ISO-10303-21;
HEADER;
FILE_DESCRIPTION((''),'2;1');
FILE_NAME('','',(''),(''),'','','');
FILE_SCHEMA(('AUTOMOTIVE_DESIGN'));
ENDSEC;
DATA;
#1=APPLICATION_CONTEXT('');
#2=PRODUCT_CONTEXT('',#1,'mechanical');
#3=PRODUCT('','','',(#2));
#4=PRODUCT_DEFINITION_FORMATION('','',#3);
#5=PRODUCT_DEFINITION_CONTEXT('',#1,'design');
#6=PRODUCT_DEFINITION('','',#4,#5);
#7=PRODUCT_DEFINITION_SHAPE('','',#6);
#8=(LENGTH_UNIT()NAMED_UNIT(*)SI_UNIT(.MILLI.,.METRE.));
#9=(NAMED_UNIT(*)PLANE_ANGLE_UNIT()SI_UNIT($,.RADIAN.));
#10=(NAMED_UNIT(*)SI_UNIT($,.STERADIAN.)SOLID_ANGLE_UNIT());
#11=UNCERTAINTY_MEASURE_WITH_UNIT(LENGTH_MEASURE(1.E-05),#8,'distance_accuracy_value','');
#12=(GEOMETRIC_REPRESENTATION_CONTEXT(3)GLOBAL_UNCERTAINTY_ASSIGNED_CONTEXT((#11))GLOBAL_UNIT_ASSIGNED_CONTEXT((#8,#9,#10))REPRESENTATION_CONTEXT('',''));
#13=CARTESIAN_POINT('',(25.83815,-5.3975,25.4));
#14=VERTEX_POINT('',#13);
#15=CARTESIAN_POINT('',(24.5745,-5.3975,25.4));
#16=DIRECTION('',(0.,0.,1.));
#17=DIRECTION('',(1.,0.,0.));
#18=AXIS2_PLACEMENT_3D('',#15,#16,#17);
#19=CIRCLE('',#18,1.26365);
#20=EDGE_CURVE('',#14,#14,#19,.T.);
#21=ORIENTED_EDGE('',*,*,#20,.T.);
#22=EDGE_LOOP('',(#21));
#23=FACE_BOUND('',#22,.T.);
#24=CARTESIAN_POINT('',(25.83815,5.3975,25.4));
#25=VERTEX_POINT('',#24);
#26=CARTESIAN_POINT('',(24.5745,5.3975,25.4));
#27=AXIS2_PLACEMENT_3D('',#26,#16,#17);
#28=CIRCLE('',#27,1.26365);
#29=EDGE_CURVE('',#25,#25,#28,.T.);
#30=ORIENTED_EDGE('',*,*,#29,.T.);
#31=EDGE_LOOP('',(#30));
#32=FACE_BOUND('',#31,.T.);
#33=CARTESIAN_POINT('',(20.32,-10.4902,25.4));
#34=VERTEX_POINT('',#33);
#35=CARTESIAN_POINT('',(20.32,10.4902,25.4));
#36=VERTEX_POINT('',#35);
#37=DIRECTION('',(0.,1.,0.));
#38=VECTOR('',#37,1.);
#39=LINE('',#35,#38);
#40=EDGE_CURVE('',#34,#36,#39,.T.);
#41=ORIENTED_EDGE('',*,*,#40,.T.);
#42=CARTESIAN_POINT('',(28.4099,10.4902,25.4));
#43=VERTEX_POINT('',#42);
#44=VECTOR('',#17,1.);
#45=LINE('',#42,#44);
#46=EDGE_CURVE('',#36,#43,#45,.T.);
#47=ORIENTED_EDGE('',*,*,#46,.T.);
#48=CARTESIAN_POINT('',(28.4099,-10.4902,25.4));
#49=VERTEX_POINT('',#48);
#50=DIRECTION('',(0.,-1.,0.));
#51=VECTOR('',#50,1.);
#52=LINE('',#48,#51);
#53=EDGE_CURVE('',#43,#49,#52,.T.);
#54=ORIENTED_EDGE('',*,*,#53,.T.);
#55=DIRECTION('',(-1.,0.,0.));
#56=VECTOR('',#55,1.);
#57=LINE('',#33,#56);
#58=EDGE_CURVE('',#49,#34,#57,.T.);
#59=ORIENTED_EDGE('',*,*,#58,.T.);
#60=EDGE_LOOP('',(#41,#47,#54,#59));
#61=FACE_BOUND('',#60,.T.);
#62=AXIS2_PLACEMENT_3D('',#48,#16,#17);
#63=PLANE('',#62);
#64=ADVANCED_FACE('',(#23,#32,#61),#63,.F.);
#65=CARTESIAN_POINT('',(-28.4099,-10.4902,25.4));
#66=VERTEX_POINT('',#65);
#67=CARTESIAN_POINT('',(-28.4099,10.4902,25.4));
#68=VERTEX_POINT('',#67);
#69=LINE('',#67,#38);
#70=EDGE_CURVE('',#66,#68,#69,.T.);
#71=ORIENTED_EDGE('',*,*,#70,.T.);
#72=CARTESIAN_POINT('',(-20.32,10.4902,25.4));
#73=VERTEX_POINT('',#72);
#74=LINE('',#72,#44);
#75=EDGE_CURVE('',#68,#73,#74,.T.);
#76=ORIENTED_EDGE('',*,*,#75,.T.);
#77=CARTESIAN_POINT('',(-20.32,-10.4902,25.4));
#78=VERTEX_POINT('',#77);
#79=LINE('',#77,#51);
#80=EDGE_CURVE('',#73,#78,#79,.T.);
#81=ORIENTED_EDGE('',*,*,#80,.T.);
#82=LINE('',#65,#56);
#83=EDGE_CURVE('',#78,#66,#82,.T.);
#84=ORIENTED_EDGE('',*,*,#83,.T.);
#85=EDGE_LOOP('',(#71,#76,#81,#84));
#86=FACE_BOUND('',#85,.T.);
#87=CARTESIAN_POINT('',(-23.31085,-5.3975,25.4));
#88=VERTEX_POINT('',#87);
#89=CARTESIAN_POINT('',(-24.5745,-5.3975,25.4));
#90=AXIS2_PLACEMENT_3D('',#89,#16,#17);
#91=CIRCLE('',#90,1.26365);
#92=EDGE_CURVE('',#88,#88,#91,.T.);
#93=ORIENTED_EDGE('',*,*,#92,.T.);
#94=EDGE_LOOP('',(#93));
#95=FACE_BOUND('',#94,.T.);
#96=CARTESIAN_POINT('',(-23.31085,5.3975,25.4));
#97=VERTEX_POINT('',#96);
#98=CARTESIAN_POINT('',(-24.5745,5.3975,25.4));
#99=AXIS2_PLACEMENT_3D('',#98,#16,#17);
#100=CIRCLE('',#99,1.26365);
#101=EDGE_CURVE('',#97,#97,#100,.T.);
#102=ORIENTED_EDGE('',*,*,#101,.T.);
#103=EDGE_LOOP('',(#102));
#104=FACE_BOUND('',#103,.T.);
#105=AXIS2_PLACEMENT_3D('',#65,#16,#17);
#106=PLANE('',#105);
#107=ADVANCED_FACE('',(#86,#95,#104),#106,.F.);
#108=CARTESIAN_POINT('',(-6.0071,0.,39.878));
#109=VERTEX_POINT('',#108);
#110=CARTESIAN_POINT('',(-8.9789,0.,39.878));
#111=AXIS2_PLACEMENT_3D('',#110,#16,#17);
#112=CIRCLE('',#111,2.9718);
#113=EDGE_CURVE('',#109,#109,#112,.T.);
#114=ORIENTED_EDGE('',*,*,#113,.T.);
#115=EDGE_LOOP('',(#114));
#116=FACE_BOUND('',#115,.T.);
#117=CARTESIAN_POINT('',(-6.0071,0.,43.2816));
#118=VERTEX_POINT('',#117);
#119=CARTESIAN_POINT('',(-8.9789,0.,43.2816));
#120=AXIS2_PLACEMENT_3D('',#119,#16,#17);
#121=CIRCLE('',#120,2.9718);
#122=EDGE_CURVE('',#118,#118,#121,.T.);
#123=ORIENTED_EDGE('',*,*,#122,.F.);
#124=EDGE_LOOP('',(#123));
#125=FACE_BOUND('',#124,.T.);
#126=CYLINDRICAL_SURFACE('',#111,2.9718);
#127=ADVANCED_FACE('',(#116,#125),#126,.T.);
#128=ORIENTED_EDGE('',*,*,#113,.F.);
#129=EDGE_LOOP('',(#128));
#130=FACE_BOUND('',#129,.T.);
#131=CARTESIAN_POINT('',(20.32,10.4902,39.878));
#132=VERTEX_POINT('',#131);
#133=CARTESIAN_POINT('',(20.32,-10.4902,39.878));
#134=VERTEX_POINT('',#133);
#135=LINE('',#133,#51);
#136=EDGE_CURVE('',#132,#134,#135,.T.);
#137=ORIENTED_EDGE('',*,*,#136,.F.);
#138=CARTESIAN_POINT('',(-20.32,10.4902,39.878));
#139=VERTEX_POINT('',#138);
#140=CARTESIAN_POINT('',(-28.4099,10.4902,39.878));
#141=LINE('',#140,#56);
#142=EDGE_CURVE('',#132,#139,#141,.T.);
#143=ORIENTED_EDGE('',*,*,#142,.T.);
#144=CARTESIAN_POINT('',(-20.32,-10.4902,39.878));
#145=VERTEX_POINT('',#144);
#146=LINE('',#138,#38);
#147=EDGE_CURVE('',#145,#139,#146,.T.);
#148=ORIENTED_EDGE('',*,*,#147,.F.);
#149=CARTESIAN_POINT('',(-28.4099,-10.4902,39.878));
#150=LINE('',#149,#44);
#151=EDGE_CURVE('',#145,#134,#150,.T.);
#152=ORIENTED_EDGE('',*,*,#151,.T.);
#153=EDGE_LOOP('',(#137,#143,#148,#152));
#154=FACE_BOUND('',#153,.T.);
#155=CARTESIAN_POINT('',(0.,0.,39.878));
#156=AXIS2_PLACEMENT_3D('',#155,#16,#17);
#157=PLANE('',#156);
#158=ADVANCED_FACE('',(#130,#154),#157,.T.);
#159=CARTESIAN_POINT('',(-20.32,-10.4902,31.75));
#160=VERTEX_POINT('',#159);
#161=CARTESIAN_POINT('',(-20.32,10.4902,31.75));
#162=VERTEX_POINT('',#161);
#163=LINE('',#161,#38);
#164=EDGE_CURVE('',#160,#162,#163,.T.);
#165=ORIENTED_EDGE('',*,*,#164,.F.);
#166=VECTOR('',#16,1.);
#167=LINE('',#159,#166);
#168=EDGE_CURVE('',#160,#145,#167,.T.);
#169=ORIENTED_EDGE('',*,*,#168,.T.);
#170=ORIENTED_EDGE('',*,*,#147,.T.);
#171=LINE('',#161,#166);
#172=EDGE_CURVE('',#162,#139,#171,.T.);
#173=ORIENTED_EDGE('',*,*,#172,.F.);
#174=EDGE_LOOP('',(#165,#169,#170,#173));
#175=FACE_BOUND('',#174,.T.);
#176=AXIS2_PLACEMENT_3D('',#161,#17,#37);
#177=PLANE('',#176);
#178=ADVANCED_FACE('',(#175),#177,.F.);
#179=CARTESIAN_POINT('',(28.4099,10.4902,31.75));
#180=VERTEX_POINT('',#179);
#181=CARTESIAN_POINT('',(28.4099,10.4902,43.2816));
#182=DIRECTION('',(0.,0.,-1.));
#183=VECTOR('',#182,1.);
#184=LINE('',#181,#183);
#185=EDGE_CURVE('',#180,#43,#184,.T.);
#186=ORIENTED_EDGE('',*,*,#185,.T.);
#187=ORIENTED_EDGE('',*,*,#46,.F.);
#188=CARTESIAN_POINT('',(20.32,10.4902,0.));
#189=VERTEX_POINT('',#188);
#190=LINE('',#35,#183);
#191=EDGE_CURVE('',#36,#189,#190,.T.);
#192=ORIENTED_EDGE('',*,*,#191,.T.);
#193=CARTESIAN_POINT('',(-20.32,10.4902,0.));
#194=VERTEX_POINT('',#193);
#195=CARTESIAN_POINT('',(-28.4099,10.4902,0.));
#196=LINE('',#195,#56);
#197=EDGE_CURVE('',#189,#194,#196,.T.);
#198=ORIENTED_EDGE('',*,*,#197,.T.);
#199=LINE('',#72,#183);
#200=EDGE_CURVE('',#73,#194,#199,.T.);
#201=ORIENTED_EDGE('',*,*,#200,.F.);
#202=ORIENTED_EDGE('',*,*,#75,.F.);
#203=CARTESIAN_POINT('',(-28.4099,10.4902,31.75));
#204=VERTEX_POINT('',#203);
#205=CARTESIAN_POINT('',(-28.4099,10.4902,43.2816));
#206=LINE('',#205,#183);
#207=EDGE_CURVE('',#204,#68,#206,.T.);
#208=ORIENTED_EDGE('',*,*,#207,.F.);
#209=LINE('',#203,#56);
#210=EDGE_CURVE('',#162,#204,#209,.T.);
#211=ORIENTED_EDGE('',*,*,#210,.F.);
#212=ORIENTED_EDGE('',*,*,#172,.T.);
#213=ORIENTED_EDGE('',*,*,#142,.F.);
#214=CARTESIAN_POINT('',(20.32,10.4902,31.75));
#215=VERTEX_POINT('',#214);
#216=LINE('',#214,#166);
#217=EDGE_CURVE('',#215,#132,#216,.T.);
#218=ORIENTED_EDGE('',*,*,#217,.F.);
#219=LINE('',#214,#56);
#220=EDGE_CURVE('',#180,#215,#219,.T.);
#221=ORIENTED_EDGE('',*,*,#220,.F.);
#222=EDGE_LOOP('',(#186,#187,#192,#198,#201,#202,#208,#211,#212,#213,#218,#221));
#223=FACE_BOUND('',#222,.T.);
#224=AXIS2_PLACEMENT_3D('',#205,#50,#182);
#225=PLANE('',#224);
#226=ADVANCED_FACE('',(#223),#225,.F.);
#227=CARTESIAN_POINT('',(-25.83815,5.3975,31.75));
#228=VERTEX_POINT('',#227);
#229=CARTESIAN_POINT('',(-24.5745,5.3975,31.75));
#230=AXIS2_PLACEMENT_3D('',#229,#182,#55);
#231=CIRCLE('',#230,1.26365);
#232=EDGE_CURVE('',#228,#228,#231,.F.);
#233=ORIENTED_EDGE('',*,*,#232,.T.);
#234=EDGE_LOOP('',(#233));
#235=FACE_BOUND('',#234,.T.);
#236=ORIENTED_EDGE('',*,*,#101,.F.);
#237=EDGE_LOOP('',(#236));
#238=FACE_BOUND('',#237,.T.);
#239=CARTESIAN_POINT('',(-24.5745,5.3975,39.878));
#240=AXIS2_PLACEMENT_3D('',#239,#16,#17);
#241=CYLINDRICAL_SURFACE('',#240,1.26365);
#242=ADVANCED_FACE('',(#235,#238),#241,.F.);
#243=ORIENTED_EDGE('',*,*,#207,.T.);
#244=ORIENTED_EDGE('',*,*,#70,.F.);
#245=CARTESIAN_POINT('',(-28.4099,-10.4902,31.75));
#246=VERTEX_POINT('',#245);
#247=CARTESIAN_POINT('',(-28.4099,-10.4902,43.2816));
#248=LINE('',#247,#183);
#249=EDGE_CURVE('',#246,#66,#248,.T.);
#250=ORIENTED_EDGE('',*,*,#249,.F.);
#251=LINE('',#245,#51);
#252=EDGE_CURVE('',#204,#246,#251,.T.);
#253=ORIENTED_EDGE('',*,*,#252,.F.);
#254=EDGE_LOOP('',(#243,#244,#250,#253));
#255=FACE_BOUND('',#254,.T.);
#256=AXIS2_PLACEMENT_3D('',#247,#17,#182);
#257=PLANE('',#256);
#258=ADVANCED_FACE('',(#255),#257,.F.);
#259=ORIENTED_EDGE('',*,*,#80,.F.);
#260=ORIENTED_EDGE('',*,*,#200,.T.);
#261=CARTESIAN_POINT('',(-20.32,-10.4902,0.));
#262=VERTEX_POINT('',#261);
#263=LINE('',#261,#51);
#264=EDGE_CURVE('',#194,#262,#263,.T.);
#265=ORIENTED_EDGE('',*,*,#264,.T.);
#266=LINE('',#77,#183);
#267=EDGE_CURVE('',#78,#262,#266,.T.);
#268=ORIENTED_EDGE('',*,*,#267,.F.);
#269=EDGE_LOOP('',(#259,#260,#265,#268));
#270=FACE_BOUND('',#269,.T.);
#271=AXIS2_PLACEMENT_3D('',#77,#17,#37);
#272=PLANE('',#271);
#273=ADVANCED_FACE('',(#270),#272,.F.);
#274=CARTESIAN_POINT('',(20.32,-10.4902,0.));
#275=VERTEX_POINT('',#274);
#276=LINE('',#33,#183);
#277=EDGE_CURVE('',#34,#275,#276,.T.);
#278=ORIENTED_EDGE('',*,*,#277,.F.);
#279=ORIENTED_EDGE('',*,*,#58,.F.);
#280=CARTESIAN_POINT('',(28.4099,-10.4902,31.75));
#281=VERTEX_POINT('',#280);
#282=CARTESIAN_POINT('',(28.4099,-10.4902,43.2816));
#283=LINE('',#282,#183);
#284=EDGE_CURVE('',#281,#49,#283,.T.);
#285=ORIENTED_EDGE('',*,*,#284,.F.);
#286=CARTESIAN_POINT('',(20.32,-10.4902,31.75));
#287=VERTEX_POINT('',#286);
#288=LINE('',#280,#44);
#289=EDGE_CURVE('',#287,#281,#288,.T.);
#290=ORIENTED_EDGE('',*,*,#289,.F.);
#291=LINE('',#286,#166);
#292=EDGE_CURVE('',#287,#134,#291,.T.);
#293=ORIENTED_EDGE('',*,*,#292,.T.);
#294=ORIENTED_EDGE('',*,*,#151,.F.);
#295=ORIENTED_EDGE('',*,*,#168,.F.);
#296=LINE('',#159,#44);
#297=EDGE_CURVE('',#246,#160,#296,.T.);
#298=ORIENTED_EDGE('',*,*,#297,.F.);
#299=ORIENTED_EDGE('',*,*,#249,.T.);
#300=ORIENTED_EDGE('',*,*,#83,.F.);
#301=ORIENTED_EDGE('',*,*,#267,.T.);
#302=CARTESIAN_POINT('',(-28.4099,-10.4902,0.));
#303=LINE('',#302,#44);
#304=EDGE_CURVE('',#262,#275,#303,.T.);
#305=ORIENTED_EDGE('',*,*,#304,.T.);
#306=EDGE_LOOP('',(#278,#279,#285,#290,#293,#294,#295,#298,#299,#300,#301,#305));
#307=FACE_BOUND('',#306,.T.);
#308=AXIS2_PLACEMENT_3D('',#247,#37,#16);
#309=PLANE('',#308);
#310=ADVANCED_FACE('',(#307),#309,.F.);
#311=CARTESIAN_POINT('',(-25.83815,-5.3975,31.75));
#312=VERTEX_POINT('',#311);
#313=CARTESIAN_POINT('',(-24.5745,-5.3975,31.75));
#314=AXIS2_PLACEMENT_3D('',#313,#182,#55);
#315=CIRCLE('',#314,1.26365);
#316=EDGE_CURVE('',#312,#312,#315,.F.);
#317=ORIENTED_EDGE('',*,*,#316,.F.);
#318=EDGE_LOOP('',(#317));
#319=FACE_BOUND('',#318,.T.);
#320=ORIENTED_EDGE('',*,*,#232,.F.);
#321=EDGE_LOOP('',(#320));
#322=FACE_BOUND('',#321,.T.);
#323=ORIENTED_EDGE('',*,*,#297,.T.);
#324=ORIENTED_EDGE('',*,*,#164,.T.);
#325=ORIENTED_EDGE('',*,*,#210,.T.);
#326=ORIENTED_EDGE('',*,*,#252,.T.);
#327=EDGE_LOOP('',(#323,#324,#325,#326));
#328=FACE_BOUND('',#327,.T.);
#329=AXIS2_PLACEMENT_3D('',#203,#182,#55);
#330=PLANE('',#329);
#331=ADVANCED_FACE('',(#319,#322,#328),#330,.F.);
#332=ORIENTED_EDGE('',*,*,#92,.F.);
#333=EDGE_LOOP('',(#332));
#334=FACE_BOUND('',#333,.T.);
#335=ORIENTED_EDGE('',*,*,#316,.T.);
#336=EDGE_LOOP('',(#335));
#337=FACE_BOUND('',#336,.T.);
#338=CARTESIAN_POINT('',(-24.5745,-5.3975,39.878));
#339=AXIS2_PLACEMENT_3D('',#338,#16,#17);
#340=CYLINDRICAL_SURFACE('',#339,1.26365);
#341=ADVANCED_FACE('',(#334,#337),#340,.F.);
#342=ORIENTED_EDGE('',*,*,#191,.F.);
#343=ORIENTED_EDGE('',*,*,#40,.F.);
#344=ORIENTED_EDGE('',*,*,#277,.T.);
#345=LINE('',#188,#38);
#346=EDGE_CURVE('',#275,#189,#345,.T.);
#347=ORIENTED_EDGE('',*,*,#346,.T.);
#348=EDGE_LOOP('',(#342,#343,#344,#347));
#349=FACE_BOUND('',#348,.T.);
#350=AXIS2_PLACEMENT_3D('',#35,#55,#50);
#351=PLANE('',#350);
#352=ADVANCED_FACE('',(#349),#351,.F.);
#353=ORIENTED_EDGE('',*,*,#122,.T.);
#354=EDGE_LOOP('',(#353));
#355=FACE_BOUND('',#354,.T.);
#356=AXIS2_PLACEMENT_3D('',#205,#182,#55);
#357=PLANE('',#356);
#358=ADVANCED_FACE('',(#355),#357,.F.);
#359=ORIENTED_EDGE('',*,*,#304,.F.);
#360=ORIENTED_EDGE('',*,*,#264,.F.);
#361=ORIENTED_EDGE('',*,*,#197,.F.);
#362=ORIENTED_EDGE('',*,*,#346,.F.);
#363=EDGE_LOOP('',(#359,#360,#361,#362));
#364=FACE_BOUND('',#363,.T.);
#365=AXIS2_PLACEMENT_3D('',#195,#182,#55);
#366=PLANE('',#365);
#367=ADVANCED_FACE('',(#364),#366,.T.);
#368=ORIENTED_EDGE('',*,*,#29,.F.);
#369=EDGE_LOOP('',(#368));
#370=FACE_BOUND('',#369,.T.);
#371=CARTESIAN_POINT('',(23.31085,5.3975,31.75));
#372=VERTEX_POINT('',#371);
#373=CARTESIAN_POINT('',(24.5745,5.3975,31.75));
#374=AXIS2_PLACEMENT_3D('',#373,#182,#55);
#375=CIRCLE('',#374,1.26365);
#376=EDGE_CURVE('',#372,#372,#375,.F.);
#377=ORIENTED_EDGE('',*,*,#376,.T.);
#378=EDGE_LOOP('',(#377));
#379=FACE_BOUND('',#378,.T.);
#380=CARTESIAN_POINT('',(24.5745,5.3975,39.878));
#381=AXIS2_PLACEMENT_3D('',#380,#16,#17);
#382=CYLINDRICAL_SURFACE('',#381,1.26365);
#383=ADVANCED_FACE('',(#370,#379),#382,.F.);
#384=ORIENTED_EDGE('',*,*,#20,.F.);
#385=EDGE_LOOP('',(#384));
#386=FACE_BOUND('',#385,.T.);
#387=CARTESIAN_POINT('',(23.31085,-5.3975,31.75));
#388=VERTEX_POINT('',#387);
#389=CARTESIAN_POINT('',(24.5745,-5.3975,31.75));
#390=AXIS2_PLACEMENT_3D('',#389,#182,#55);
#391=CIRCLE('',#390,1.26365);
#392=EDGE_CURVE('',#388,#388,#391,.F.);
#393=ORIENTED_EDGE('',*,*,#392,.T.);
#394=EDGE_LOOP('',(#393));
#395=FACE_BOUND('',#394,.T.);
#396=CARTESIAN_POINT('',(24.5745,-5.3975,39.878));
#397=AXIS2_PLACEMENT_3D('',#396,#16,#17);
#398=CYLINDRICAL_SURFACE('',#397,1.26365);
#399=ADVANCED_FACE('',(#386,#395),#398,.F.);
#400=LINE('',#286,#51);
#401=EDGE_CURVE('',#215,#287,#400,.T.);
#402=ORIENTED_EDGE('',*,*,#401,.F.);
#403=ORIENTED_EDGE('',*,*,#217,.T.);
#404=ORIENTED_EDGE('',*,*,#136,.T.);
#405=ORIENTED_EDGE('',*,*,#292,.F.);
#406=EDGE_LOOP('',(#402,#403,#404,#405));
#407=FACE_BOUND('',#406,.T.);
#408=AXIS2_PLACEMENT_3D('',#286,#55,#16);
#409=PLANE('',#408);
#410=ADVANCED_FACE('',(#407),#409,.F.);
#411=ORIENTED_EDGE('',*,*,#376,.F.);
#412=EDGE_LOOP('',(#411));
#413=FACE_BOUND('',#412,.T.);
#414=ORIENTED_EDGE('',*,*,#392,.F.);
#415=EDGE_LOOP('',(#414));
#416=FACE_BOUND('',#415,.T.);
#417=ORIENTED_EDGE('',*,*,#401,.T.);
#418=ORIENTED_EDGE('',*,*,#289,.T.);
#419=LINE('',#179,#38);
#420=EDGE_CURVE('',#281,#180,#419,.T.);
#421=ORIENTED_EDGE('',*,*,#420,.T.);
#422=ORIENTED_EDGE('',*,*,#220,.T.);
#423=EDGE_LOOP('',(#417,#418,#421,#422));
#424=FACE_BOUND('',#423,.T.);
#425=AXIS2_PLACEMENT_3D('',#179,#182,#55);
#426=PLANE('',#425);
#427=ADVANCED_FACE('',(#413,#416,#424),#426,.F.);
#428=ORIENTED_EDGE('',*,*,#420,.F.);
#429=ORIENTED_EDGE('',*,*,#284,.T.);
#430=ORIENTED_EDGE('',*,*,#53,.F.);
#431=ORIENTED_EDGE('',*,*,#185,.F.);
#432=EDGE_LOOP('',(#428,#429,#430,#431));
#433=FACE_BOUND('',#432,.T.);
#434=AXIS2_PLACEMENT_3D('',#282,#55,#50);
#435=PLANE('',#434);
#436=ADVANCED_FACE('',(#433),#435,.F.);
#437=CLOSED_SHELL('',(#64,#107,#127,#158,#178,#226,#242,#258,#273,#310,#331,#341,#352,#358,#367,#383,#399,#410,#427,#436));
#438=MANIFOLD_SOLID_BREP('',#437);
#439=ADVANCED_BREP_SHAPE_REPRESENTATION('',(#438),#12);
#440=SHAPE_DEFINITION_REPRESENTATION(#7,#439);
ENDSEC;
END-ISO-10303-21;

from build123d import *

# Parameters (mm, degrees)
SKETCH1_W                    = 56.8198
SKETCH1_H                    = 20.9804
EXTRUDE1_DEPTH               = 43.2816
SKETCH3_OUTSIDE_W            = 73.708
SKETCH3_OUTSIDE_H            = 37.868
SKETCH3_OUTSIDE_R            = 2.9718
EXTRUDE2_DEPTH               = 3.4036
SKETCH8_W                    = 8.0899
SKETCH8_H                    = 20.9804
EXTRUDE5_DEPTH               = 25.4
F_39_0_0995_DIAMETER_HOLE1_D = 2.5273
SKETCH13_W                   = 8.0899
SKETCH13_H                   = 20.9804
EXTRUDE6_DEPTH               = 8.128


with BuildPart() as part:
    # Sketch1 → Extrude1 (new body)
    with BuildSketch(Plane.XY):
        Rectangle(SKETCH1_W, SKETCH1_H)
    extrude(amount=EXTRUDE1_DEPTH)

    # Sketch3 outside → Extrude2 (cut)
    with BuildSketch(Plane.XY.offset(43.2816)):
        Rectangle(SKETCH3_OUTSIDE_W, SKETCH3_OUTSIDE_H)
        with Locations((-8.9789, 0)):
            Circle(SKETCH3_OUTSIDE_R, mode=Mode.SUBTRACT)
    extrude(amount=-EXTRUDE2_DEPTH, mode=Mode.SUBTRACT)

    # Sketch8 → Extrude5 (cut)
    with BuildSketch(Plane(origin=(0, 0, 0), x_dir=(-1, 0, 0), z_dir=(0, 0, -1))):
        with Locations((-24.36495, 0)):
            Rectangle(SKETCH8_W, SKETCH8_H)
        with Locations((24.36495, 0)):
            Rectangle(SKETCH8_W, SKETCH8_H)
    extrude(amount=-EXTRUDE5_DEPTH, mode=Mode.SUBTRACT)

    # #39 (0.0995) Diameter Hole1 (through all)
    with Locations(Plane(origin=(-24.5745, 5.3975, 39.878), x_dir=(1, 0, 0), z_dir=(0, 0, 1))):
        with Locations((0, 0), (0, -10.795), (49.149, 0), (49.149, -10.795)):
            Hole(F_39_0_0995_DIAMETER_HOLE1_D / 2)

    # Sketch13 → Extrude6 (cut)
    with BuildSketch(Plane.XY.offset(39.878)):
        with Locations((-24.36495, 0)):
            Rectangle(SKETCH13_W, SKETCH13_H)
        with Locations((24.36495, 0)):
            Rectangle(SKETCH13_W, SKETCH13_H)
    extrude(amount=-EXTRUDE6_DEPTH, mode=Mode.SUBTRACT)


solid = part.part
